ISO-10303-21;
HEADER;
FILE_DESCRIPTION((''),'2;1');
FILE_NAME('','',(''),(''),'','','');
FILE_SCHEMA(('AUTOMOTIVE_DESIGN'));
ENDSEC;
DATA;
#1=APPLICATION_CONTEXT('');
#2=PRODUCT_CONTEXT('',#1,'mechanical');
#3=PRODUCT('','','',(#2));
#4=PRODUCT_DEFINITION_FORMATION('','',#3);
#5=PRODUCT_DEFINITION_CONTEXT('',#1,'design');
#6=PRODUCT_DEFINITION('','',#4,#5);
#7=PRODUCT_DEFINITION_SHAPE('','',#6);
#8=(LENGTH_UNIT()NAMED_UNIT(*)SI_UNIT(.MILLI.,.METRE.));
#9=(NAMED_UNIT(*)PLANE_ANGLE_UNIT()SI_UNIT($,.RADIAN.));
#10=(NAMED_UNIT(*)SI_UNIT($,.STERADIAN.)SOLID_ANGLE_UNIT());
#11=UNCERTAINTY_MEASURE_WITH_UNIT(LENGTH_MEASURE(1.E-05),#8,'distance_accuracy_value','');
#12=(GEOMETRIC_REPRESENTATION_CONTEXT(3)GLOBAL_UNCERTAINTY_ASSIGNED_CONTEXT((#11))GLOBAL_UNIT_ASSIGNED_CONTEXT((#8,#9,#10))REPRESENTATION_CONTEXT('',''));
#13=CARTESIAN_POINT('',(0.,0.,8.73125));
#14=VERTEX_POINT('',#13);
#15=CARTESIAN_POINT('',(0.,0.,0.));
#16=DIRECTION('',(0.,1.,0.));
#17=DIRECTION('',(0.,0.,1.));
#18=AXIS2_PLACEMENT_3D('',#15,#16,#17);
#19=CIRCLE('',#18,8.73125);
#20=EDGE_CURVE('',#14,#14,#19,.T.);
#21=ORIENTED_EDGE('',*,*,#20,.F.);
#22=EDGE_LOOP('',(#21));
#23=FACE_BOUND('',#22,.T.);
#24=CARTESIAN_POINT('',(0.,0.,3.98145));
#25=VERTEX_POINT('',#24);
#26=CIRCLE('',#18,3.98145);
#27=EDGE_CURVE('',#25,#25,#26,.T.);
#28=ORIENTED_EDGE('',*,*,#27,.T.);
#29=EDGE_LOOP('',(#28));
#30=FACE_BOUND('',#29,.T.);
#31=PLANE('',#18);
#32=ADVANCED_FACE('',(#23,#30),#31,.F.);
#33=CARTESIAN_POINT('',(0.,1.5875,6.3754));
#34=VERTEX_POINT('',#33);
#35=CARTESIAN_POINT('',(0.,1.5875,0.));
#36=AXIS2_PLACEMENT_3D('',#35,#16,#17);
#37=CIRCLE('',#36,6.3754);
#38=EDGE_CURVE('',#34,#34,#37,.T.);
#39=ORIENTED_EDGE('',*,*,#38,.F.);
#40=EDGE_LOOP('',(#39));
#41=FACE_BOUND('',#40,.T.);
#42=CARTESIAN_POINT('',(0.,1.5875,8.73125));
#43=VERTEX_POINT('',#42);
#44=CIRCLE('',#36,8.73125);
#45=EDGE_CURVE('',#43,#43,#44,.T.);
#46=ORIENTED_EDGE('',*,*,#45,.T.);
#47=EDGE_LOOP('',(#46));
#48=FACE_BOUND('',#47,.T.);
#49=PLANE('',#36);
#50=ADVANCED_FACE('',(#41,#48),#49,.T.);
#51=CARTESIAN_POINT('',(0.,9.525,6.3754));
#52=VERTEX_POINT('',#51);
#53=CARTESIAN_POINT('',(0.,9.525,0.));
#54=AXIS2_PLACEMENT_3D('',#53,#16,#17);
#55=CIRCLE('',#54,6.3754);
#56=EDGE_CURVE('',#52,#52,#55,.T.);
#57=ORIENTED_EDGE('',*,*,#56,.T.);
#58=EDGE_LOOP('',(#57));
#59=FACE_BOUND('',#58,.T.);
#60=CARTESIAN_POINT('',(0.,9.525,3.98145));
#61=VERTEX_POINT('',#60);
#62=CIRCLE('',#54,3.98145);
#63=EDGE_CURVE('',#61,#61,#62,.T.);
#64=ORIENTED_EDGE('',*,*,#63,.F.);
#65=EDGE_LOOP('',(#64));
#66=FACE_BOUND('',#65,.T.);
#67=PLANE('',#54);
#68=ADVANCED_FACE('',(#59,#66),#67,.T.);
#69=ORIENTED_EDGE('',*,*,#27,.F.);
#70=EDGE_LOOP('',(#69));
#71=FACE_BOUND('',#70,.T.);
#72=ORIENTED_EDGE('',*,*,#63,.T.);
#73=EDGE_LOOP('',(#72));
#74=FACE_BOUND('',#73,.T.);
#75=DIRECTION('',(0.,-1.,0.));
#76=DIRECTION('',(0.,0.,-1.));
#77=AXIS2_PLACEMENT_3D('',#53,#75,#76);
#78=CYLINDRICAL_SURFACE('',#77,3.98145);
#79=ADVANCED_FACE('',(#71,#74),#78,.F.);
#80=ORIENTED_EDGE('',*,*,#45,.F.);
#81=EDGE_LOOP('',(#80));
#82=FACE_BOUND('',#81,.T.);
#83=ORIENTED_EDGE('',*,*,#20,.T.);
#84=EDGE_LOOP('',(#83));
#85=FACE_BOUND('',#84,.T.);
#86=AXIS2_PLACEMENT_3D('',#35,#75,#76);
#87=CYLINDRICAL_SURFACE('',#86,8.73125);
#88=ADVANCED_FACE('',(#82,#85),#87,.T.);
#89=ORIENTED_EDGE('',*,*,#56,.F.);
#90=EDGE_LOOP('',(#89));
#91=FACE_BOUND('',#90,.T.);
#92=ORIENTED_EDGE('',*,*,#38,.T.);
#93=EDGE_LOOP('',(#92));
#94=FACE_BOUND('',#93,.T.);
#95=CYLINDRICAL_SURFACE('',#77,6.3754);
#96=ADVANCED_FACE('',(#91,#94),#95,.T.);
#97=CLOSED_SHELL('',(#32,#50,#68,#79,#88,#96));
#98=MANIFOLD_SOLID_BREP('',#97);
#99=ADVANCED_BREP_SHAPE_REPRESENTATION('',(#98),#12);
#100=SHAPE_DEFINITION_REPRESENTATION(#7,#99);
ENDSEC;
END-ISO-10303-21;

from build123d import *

# Parameters (mm, degrees)
SKETCH2_R           = 6.3754
SKETCH2_R_2         = 3.98145
BOSS_EXTRUDE1_DEPTH = 9.525
SKETCH3_R           = 8.73125
SKETCH3_R_2         = 6.3754
BOSS_EXTRUDE2_DEPTH = 1.5875


with BuildPart() as part:
    # Sketch2 → Boss-Extrude1 (new body)
    with BuildSketch(Plane(origin=(0, 0, 0), x_dir=(1, 0, 0), z_dir=(0, 1, 0))):
        Circle(SKETCH2_R)
        Circle(SKETCH2_R_2, mode=Mode.SUBTRACT)
    extrude(amount=BOSS_EXTRUDE1_DEPTH)

    # Sketch3 → Boss-Extrude2 (add)
    with BuildSketch(Plane(origin=(0, 0, 0), x_dir=(1, 0, 0), z_dir=(0, 1, 0))):
        Circle(SKETCH3_R)
        Circle(SKETCH3_R_2, mode=Mode.SUBTRACT)
    extrude(amount=BOSS_EXTRUDE2_DEPTH)


solid = part.part
